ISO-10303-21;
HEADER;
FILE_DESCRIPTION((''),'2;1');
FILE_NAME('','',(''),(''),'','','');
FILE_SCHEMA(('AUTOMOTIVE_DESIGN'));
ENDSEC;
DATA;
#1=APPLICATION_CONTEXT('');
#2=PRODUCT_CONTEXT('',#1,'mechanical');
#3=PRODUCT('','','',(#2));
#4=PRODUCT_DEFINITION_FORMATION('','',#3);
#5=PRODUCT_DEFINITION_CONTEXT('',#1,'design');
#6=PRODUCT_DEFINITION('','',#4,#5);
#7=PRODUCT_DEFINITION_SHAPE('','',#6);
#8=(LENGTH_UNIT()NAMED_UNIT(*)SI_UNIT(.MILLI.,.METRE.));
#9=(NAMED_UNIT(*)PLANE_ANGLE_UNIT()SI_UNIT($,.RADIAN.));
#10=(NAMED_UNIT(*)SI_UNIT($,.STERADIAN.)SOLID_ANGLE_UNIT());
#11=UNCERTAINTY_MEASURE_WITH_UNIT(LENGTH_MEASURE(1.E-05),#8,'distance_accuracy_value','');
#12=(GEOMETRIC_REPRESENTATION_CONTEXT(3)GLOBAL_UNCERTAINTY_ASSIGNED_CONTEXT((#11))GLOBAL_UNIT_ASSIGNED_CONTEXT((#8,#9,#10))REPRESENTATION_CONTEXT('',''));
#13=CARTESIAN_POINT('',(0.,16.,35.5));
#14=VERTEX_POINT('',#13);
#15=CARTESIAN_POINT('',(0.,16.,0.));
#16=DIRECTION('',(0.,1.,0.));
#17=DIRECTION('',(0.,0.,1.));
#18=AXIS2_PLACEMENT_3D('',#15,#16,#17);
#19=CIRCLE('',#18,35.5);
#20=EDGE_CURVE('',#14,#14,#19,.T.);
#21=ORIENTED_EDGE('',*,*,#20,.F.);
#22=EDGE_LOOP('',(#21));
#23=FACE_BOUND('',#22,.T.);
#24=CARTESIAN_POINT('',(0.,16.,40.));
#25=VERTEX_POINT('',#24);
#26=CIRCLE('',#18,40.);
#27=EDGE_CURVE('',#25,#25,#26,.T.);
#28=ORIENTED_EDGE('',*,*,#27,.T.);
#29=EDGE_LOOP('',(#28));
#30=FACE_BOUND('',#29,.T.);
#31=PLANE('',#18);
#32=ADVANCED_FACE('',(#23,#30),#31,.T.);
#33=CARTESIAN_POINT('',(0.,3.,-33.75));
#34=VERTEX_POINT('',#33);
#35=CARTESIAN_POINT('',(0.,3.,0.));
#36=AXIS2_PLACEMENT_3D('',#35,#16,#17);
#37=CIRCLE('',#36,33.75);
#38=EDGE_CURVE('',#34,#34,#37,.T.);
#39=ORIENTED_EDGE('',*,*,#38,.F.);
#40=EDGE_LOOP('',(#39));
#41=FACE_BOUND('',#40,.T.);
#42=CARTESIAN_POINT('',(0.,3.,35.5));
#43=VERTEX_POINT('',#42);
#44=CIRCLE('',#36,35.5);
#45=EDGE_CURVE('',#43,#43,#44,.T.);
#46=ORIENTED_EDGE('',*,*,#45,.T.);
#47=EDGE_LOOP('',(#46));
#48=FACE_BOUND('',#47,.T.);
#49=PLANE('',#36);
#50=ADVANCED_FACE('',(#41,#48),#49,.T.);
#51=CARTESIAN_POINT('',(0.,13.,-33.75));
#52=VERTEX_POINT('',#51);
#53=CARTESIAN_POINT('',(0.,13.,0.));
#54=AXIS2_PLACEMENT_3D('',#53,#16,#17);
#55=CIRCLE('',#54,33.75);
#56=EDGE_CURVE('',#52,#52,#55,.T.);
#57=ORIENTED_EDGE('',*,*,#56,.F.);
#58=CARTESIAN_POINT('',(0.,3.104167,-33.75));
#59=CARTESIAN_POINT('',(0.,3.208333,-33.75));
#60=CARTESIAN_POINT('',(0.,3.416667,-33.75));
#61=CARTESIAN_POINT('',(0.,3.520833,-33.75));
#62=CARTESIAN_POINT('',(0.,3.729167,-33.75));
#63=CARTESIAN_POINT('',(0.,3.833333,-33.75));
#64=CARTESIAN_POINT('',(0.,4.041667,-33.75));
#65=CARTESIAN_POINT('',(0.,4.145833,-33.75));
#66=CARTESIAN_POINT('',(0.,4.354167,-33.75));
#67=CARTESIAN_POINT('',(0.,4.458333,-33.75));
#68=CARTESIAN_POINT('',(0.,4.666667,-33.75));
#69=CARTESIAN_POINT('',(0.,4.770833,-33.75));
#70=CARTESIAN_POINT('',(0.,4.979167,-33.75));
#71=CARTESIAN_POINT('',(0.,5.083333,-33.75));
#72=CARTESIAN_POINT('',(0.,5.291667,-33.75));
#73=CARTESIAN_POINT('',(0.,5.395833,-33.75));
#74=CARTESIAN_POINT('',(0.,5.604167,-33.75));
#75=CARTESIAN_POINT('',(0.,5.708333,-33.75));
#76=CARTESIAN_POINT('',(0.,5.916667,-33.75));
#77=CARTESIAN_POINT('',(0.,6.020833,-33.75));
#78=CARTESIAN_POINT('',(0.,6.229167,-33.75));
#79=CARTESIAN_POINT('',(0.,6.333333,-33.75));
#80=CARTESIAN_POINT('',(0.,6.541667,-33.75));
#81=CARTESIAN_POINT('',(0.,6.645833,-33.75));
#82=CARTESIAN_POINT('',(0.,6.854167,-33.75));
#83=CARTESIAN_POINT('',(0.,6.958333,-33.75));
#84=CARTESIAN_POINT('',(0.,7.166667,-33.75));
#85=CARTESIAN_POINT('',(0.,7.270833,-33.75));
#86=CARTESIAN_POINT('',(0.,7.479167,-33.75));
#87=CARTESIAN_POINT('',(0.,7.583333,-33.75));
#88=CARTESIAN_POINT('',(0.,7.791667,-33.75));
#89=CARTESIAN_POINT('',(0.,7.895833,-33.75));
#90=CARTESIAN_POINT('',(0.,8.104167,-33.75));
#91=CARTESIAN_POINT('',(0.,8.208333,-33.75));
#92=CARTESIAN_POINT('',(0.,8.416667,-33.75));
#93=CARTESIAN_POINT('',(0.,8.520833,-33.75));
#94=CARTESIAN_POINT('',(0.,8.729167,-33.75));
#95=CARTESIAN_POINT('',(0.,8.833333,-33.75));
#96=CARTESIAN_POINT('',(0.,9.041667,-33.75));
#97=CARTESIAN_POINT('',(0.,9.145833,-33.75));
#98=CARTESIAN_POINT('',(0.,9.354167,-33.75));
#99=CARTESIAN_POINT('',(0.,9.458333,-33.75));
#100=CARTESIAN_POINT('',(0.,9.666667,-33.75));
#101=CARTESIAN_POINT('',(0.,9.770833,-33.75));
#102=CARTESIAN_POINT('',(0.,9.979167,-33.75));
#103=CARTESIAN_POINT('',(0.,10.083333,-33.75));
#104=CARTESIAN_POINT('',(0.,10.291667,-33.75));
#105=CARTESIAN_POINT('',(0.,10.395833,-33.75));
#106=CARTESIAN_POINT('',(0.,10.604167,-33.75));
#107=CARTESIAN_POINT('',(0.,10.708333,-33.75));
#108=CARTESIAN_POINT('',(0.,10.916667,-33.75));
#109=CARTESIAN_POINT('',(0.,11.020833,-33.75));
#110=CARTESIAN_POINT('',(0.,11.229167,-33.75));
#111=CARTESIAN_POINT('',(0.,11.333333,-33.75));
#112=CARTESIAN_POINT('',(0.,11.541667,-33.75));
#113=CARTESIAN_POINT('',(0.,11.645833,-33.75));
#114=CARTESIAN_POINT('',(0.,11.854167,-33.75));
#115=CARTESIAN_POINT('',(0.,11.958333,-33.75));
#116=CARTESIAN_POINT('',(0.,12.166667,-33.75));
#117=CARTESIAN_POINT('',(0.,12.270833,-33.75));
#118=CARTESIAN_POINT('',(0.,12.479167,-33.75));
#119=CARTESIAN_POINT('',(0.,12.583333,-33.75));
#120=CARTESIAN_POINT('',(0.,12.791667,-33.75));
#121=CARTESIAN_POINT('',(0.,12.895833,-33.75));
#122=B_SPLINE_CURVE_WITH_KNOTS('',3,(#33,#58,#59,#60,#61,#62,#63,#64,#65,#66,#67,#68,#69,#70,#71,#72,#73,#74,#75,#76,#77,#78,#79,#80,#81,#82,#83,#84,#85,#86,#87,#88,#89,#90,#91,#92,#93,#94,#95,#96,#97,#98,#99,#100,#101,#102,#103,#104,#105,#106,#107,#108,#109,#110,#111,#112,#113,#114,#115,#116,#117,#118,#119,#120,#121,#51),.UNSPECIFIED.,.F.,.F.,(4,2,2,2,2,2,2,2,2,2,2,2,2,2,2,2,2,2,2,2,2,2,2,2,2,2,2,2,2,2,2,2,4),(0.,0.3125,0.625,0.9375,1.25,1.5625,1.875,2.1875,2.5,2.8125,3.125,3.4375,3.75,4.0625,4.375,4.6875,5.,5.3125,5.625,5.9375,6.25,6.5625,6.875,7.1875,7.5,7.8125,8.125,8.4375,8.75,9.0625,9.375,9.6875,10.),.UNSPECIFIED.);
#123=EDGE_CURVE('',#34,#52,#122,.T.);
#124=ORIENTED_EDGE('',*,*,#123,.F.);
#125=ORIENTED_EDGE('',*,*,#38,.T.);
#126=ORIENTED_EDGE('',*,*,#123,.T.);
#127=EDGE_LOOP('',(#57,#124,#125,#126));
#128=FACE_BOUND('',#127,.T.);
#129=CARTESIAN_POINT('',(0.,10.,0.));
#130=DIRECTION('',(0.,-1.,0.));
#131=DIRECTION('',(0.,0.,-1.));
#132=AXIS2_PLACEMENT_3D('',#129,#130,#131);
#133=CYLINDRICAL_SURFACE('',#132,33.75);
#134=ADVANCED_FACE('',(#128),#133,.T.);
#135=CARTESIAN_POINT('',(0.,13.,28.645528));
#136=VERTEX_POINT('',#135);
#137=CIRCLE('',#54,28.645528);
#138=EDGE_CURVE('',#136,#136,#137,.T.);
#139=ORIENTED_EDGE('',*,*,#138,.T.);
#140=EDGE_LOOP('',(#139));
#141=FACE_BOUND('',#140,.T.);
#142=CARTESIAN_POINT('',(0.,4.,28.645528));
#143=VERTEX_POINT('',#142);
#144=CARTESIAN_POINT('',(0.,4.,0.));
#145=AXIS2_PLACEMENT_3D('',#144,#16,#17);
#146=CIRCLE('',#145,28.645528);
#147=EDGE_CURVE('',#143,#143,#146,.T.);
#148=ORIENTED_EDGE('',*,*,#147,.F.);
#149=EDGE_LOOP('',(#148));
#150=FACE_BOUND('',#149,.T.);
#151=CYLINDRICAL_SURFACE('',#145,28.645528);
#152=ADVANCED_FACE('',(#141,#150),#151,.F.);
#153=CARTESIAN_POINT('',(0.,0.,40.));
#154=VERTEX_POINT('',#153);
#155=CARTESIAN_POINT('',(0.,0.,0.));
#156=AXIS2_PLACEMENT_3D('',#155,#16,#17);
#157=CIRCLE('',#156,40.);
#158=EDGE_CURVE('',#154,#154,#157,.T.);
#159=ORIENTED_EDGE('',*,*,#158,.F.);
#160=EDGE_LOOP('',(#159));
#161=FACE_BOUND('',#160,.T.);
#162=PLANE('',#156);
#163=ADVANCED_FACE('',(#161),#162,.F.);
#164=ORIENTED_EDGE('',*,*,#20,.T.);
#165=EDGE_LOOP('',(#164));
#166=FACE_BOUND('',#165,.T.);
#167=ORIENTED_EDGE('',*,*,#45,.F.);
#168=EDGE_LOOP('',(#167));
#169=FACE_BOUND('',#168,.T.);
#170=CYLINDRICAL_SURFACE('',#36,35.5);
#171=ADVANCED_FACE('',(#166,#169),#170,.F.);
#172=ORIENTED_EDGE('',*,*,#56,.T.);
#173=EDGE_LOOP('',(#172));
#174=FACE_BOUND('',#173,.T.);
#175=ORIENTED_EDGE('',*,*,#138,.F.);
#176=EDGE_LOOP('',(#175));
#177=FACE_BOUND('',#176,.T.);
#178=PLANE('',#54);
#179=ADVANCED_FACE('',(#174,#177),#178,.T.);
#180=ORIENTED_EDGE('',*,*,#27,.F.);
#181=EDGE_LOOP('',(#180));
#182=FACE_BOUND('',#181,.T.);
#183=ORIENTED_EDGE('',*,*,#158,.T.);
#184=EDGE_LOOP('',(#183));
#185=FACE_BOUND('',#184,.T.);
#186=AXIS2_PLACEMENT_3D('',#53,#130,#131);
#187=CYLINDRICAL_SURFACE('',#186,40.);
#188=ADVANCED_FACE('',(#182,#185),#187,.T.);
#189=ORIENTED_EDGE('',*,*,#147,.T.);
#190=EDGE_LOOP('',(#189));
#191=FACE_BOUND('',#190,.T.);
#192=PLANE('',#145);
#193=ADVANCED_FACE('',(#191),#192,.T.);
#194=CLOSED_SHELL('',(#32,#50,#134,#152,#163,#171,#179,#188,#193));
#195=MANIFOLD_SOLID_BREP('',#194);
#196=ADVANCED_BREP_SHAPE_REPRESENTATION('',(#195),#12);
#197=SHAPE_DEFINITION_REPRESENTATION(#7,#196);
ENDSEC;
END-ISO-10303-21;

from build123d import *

# Parameters (mm, degrees)
SKETCH1_R           = 40
BOSS_EXTRUDE1_DEPTH = 13
SKETCH3_R           = 35
CUT_EXTRUDE1_DEPTH  = 10
SKETCH4_R           = 33
BOSS_EXTRUDE2_DEPTH = 4
SKETCH7_R           = 40
SKETCH7_R_2         = 35
BOSS_EXTRUDE3_DEPTH = 3
SKETCH8_R           = 35.5
CUT_EXTRUDE2_DEPTH  = 13
SKETCH9_R           = 33.75
BOSS_EXTRUDE6_DEPTH = 7
SKETCH10_R          = 28.645528411
CUT_EXTRUDE3_DEPTH  = 6
SKETCH11_R          = 33.75
SKETCH11_R_2        = 28.645528411
BOSS_EXTRUDE8_DEPTH = 3


with BuildPart() as part:
    # Sketch1 → Boss-Extrude1 (new body)
    with BuildSketch(Plane(origin=(0, 0, 0), x_dir=(1, 0, 0), z_dir=(0, 1, 0))):
        with Locations(Location((0, 0, 0), (0, 0, 270))):
            Circle(SKETCH1_R)
    extrude(amount=BOSS_EXTRUDE1_DEPTH)

    # Sketch3 → Cut-Extrude1 (cut)
    with BuildSketch(Plane(origin=(0, 13, 0), x_dir=(1, 0, 0), z_dir=(0, 1, 0))):
        with Locations(Location((0, 0, 0), (0, 0, 270))):
            Circle(SKETCH3_R)
    extrude(amount=-CUT_EXTRUDE1_DEPTH, mode=Mode.SUBTRACT)

    # Sketch4 → Boss-Extrude2 (add)
    with BuildSketch(Plane(origin=(0, 3, 0), x_dir=(1, 0, 0), z_dir=(0, 1, 0))):
        with Locations(Location((0, 0, 0), (0, 0, 270))):
            Circle(SKETCH4_R)
    extrude(amount=BOSS_EXTRUDE2_DEPTH)

    # Sketch7 → Boss-Extrude3 (add)
    with BuildSketch(Plane(origin=(0, 13, 0), x_dir=(1, 0, 0), z_dir=(0, 1, 0))):
        with Locations(Location((0, 0, 0), (0, 0, 270))):
            Circle(SKETCH7_R)
        with Locations(Location((0, 0, 0), (0, 0, 270))):
            Circle(SKETCH7_R_2, mode=Mode.SUBTRACT)
    extrude(amount=BOSS_EXTRUDE3_DEPTH)

    # Sketch8 → Cut-Extrude2 (cut)
    with BuildSketch(Plane(origin=(0, 16, 0), x_dir=(1, 0, 0), z_dir=(0, 1, 0))):
        with Locations(Location((0, 0, 0), (0, 0, 270))):
            Circle(SKETCH8_R)
    extrude(amount=-CUT_EXTRUDE2_DEPTH, mode=Mode.SUBTRACT)

    # Sketch9 → Boss-Extrude6 (add)
    with BuildSketch(Plane(origin=(0, 3, 0), x_dir=(1, 0, 0), z_dir=(0, 1, 0))):
        with Locations(Location((0, 0, 0), (0, 0, 90))):
            Circle(SKETCH9_R)
    extrude(amount=BOSS_EXTRUDE6_DEPTH)

    # Sketch10 → Cut-Extrude3 (cut)
    with BuildSketch(Plane(origin=(0, 10, 0), x_dir=(1, 0, 0), z_dir=(0, 1, 0))):
        with Locations(Location((0, 0, 0), (0, 0, 270))):
            Circle(SKETCH10_R)
    extrude(amount=-CUT_EXTRUDE3_DEPTH, mode=Mode.SUBTRACT)

    # Sketch11 → Boss-Extrude8 (add)
    with BuildSketch(Plane(origin=(0, 10, 0), x_dir=(1, 0, 0), z_dir=(0, 1, 0))):
        with Locations(Location((0, 0, 0), (0, 0, 90))):
            Circle(SKETCH11_R)
        with Locations(Location((0, 0, 0), (0, 0, 270))):
            Circle(SKETCH11_R_2, mode=Mode.SUBTRACT)
    extrude(amount=BOSS_EXTRUDE8_DEPTH)


solid = part.part
